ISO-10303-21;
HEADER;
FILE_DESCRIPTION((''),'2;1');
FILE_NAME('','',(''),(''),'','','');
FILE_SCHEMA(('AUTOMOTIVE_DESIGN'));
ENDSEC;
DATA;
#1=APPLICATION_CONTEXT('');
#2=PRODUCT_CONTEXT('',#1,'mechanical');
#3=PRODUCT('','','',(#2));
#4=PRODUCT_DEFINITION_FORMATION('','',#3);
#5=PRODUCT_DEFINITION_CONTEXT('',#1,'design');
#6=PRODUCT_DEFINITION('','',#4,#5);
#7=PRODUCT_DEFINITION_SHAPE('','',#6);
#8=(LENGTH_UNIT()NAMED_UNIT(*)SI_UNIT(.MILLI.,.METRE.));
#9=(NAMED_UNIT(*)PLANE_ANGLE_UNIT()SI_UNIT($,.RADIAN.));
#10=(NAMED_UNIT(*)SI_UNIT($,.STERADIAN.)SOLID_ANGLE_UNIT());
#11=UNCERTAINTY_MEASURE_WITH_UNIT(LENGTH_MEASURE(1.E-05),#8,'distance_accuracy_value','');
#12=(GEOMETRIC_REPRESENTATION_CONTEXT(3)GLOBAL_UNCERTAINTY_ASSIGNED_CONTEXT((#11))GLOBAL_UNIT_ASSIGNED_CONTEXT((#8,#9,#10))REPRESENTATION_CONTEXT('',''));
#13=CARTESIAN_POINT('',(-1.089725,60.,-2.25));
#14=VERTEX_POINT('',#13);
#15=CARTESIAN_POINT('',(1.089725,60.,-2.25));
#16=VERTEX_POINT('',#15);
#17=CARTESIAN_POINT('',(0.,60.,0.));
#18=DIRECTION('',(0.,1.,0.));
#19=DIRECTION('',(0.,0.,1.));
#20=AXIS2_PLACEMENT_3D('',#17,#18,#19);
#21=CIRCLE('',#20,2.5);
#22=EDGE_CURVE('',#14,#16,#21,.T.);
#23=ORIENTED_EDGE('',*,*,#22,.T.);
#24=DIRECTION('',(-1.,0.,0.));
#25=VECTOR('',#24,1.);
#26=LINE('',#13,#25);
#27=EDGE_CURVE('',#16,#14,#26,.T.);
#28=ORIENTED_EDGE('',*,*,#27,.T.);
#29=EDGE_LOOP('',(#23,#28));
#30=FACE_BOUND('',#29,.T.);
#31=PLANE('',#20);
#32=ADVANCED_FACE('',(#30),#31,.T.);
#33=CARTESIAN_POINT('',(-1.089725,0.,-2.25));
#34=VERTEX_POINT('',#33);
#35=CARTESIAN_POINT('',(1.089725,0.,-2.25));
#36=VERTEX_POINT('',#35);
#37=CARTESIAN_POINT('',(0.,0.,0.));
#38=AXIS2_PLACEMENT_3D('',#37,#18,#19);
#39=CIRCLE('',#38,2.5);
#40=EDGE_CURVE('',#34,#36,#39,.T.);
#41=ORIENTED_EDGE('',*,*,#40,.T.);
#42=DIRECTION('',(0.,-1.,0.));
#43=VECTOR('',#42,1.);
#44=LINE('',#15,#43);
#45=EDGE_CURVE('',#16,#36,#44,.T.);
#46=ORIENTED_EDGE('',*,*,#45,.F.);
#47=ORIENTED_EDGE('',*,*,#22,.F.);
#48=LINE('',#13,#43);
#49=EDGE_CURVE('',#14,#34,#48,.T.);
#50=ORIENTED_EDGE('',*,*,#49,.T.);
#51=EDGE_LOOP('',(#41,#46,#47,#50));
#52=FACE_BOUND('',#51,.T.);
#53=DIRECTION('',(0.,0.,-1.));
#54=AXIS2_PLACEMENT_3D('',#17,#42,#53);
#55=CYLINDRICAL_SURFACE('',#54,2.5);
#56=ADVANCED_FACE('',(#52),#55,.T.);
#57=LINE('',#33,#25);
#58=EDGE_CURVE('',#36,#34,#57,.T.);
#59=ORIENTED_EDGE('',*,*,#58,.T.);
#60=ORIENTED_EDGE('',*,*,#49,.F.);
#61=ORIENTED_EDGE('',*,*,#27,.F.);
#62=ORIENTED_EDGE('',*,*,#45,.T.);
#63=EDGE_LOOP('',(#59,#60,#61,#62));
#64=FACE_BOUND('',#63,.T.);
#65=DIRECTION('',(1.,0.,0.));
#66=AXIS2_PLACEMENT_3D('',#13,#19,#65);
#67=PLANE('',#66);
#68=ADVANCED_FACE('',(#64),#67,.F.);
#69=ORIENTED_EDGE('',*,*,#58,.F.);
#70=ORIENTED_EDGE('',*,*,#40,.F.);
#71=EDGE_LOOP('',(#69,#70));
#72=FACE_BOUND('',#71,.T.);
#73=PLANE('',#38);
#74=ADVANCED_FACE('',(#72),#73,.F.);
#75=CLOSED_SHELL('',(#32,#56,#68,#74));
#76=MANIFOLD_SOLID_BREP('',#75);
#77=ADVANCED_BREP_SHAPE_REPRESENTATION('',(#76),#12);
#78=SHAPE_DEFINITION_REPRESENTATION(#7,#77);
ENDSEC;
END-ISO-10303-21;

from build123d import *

# Parameters (mm, degrees)
BOSS_EXTRUDE1_DEPTH = 60


with BuildPart() as part:
    # Sketch1 → Boss-Extrude1 (new body)
    with BuildSketch(Plane(origin=(0, 0, 0), x_dir=(1, 0, 0), z_dir=(0, 1, 0))):
        with BuildLine():
            Line((-1.089724736, 2.25), (1.089724736, 2.25))
            ThreePointArc((1.089724736, 2.25), (0, -2.5), (-1.089724736, 2.25))
        make_face()
    extrude(amount=BOSS_EXTRUDE1_DEPTH)


solid = part.part
